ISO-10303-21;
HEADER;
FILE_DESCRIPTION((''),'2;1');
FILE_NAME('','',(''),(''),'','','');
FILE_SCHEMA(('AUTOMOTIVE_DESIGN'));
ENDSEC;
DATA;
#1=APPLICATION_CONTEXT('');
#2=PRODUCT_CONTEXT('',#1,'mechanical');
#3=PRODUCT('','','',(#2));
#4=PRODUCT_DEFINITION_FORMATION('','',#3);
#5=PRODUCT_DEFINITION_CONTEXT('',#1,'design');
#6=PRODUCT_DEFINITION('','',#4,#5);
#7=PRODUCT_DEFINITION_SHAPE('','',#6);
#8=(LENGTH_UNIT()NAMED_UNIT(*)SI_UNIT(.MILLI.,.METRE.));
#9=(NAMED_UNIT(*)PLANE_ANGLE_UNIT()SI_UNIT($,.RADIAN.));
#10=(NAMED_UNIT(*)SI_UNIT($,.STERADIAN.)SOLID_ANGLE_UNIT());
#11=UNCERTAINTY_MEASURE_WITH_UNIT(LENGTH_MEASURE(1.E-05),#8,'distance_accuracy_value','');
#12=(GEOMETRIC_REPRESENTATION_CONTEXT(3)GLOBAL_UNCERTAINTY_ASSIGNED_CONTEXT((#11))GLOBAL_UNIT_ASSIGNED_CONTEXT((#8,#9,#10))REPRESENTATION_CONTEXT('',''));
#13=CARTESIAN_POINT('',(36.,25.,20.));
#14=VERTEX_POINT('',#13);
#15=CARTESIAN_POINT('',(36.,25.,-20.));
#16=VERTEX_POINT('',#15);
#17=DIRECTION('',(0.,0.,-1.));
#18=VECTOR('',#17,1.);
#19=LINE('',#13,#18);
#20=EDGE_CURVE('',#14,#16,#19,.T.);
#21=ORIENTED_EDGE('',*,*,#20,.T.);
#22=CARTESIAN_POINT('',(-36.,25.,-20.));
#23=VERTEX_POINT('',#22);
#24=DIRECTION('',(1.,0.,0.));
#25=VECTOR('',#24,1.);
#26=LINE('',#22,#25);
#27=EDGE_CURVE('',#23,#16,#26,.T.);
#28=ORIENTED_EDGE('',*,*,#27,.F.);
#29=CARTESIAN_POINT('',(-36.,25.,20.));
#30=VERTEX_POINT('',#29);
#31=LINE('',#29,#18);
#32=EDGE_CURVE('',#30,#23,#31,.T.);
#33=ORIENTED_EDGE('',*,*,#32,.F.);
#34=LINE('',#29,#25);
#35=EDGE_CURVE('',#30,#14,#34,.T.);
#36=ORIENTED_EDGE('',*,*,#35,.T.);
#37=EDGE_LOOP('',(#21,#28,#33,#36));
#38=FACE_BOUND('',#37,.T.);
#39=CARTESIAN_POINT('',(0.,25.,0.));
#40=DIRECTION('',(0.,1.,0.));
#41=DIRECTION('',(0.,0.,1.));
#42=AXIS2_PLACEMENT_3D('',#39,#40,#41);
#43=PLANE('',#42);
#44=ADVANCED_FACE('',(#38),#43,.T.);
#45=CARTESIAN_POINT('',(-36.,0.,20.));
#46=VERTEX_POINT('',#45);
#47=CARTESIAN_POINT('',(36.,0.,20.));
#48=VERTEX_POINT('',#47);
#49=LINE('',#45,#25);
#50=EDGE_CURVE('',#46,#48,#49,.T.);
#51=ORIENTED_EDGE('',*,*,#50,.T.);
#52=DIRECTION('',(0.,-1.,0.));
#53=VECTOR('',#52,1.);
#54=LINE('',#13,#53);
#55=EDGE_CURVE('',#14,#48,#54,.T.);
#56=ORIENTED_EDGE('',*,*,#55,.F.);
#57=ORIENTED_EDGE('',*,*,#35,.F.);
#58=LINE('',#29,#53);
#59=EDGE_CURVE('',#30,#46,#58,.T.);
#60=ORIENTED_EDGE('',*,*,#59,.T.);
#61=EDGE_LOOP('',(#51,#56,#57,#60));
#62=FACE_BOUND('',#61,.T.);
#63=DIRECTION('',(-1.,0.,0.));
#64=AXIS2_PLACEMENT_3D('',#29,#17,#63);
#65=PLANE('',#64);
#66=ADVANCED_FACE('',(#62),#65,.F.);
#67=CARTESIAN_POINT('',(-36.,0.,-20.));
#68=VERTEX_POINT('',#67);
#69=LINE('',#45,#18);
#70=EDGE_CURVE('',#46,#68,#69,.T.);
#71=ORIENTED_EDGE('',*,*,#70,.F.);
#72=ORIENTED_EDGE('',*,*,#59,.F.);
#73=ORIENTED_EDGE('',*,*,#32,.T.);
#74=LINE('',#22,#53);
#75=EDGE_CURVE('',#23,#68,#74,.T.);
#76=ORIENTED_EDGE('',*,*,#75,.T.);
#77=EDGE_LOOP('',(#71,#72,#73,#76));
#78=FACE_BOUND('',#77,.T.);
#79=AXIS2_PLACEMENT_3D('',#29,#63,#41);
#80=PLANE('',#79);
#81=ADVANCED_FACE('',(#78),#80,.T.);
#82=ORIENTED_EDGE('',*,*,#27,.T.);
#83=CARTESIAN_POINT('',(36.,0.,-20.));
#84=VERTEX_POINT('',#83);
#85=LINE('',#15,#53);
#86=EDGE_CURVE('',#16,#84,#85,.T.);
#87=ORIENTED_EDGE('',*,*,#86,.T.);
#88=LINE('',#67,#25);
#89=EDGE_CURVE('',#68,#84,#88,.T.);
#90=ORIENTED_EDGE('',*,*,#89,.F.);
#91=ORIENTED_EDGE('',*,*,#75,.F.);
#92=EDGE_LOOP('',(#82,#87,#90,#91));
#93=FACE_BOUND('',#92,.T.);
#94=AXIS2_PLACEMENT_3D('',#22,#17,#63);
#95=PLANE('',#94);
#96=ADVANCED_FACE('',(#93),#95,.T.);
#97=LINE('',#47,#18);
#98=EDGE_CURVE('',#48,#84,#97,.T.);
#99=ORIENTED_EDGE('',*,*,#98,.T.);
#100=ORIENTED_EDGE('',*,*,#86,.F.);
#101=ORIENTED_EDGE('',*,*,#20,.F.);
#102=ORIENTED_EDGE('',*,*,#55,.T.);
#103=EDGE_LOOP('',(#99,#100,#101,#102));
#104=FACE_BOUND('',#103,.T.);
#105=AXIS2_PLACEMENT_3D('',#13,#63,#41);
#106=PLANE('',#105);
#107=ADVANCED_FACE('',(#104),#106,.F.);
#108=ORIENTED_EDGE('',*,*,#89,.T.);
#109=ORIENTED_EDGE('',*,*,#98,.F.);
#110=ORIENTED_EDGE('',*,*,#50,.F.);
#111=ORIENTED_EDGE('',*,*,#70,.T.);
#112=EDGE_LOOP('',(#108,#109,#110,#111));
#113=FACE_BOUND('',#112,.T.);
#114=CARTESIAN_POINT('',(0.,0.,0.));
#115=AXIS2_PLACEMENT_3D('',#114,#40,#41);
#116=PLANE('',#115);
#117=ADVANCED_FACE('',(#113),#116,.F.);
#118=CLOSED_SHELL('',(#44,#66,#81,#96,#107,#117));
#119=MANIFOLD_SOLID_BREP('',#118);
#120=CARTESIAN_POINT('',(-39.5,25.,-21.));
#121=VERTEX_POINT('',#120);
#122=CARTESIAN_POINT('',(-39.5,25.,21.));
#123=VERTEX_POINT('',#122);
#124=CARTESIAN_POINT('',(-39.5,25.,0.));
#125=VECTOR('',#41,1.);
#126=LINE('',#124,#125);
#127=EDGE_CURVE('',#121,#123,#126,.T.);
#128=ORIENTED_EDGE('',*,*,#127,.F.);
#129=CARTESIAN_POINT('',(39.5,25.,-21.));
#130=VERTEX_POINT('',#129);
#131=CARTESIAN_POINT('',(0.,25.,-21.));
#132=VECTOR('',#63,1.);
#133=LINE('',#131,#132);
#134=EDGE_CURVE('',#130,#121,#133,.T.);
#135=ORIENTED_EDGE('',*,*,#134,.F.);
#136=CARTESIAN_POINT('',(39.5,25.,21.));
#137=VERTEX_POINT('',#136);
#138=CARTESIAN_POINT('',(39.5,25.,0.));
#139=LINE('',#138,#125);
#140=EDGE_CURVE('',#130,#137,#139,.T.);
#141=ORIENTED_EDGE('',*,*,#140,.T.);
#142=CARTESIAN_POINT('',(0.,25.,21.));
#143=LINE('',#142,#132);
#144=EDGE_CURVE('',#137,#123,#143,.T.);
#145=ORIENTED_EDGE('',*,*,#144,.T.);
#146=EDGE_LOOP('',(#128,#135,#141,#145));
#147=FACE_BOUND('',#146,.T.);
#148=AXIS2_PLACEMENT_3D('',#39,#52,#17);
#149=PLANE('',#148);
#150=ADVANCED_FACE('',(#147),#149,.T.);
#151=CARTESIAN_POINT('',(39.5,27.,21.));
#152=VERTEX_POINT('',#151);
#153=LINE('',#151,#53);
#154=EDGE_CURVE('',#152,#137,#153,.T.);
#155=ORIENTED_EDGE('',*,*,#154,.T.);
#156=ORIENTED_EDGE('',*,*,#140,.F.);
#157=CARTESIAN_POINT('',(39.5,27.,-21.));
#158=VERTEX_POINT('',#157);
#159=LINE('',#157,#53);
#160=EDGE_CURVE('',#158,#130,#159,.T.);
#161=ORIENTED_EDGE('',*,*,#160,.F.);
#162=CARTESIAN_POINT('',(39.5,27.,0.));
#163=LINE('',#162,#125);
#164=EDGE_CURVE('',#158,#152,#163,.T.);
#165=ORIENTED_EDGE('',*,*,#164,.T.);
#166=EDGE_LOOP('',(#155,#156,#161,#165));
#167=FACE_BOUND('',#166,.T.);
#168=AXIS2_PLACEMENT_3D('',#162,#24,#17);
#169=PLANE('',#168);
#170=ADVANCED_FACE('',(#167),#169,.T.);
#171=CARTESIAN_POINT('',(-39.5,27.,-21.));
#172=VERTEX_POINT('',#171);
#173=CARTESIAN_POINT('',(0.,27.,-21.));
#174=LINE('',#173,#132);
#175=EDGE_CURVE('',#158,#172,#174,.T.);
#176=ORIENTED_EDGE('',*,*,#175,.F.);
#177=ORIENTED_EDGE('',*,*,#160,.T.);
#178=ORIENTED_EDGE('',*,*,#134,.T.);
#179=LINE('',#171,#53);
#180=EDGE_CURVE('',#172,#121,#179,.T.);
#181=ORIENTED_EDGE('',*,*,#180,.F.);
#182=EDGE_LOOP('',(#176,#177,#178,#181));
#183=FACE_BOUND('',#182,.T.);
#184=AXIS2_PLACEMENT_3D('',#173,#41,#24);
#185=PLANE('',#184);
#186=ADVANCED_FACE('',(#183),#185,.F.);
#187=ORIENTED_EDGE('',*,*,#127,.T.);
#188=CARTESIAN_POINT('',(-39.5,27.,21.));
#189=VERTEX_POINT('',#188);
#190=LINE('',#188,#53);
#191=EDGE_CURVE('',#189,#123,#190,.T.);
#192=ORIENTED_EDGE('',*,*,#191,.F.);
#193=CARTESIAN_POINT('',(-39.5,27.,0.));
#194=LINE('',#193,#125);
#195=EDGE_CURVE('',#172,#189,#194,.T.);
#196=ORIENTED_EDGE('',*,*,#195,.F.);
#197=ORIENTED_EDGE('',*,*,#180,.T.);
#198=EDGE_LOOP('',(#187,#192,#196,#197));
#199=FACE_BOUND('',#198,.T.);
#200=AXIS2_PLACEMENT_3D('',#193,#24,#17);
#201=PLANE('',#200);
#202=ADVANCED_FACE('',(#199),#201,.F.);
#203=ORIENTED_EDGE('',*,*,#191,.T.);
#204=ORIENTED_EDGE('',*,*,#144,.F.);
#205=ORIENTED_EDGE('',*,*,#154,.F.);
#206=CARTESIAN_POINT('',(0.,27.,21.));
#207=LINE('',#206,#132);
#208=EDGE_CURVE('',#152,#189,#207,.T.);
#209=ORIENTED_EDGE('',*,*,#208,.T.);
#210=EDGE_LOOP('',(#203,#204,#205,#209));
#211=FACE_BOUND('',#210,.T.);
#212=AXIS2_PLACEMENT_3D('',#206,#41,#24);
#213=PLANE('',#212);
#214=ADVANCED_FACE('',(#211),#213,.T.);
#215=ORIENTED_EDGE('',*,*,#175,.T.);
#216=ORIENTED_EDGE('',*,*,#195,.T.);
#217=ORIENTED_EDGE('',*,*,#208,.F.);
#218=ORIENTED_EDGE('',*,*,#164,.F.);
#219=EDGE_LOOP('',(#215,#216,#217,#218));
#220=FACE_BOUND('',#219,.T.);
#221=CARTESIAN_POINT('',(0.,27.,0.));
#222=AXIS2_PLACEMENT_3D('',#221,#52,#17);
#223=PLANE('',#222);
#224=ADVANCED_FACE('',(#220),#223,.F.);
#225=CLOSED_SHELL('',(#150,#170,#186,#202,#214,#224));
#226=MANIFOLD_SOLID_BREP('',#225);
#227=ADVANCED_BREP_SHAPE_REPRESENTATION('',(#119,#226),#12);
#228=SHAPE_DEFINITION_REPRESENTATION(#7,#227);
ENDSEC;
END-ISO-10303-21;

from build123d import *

# Parameters (mm, degrees)
SKETCH_1_W      = 72
SKETCH_1_H      = 40
EXTRUDE_1_DEPTH = 25
EXTRUDE_START   = 25
SKETCH_1_4_W    = 79
SKETCH_1_4_H    = 42
EXTRUDE_3_DEPTH = 2


with BuildPart() as part:
    # 草图1 → 凸台-拉伸1 (new body)
    with BuildSketch(Plane(origin=(0, 0, 0), x_dir=(1, 0, 0), z_dir=(0, 1, 0))):
        Rectangle(SKETCH_1_W, SKETCH_1_H)
    extrude(amount=EXTRUDE_1_DEPTH)


with BuildPart() as body_2:
    # 草图1<4> → 凸台-拉伸3 (new body)
    with BuildSketch(Plane(origin=(0, 0, 0), x_dir=(1, 0, 0), z_dir=(0, 1, 0)).offset(EXTRUDE_START)):
        Rectangle(SKETCH_1_4_W, SKETCH_1_4_H)
    extrude(amount=EXTRUDE_3_DEPTH)


solid = Compound([part.part, body_2.part])
